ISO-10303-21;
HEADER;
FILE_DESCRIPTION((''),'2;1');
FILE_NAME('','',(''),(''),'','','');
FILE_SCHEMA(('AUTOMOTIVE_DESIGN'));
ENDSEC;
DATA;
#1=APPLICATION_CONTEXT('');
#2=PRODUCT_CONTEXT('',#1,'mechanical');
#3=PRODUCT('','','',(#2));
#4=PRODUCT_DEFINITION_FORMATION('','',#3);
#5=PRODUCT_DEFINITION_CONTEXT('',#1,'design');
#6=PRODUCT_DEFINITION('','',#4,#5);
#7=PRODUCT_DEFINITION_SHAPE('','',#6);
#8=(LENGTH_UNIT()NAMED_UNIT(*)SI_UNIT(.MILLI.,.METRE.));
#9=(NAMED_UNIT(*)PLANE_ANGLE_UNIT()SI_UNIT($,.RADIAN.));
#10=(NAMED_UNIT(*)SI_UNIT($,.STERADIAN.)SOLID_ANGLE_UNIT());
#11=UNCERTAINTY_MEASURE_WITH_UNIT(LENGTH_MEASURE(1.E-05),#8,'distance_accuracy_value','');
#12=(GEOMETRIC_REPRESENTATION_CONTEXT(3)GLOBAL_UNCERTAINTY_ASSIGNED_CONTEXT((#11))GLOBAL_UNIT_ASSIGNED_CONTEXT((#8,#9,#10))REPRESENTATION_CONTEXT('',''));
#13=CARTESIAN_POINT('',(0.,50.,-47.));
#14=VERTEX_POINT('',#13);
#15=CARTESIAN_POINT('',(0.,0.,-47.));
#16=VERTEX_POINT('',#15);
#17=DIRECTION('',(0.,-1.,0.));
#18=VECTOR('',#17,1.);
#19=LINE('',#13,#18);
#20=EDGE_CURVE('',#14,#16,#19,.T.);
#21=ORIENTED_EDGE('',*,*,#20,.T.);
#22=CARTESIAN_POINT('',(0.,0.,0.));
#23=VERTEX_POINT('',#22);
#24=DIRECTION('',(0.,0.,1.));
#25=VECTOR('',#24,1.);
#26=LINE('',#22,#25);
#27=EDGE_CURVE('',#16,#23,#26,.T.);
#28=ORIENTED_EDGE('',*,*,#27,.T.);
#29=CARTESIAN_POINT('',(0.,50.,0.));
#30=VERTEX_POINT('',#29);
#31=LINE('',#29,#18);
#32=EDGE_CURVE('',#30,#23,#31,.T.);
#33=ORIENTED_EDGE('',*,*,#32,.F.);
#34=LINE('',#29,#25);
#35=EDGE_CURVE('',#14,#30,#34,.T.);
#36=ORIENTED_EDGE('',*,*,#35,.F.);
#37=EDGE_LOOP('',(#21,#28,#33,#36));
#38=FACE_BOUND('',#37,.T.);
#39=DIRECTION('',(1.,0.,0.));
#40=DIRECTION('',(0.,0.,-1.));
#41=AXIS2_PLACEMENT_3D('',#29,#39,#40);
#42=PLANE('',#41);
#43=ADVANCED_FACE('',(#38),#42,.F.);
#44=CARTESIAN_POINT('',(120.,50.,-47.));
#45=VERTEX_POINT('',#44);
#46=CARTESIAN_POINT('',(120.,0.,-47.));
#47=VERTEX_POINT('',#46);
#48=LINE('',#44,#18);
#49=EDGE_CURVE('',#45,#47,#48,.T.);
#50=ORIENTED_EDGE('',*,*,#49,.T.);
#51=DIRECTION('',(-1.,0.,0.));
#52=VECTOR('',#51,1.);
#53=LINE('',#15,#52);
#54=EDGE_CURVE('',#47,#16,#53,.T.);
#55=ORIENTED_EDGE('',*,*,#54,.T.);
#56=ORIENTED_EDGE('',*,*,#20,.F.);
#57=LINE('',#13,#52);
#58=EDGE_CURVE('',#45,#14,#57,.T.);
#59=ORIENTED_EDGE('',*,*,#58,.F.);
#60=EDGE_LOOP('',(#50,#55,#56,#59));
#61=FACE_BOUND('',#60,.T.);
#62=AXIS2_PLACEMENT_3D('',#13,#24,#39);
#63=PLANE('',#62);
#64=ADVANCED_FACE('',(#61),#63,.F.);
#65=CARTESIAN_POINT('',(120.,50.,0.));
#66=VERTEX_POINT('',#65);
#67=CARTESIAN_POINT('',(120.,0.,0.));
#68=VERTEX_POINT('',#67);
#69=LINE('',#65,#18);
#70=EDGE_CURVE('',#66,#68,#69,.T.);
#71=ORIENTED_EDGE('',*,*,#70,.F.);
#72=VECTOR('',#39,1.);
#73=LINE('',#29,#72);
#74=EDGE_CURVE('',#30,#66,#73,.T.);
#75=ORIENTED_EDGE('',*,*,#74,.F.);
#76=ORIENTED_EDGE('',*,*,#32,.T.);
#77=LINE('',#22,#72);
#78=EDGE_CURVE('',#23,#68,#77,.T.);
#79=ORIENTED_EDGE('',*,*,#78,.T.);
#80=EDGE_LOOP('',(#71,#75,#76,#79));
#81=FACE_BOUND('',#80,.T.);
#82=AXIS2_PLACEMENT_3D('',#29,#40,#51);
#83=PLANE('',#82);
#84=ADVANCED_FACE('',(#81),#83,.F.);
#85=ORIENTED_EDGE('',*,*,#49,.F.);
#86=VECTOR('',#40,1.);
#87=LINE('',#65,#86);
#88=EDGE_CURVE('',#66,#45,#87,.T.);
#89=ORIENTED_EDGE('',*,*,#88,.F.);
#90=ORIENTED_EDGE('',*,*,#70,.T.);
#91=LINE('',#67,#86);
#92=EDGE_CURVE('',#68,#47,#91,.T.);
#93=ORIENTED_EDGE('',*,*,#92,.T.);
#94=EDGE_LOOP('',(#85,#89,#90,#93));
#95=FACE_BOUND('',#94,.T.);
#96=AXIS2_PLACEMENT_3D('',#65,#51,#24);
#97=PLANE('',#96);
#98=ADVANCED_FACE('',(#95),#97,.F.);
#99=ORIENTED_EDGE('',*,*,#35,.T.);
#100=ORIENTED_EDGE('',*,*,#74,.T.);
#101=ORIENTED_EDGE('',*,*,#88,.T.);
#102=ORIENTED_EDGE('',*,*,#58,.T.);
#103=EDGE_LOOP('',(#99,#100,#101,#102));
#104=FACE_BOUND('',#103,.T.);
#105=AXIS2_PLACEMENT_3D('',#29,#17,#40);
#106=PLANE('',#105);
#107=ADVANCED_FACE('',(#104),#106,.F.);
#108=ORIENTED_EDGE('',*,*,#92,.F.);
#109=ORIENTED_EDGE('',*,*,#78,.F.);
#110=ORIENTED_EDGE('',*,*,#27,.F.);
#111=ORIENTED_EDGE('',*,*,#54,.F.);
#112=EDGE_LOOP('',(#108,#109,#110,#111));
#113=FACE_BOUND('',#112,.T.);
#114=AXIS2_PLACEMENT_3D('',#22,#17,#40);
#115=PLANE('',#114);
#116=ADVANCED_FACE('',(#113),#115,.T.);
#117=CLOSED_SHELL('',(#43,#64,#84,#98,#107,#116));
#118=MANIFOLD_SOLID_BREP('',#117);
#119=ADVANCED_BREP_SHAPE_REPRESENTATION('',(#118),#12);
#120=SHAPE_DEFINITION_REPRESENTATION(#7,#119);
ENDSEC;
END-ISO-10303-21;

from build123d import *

# Parameters (mm, degrees)
SKETCH_1_W      = 120
SKETCH_1_H      = 47
EXTRUDE_1_DEPTH = 50


with BuildPart() as part:
    # 草图1 → 凸台-拉伸1 (new body)
    with BuildSketch(Plane(origin=(0, 0, 0), x_dir=(1, 0, 0), z_dir=(0, 1, 0))):
        with Locations((60, 23.5)):
            Rectangle(SKETCH_1_W, SKETCH_1_H)
    extrude(amount=EXTRUDE_1_DEPTH)


solid = part.part
